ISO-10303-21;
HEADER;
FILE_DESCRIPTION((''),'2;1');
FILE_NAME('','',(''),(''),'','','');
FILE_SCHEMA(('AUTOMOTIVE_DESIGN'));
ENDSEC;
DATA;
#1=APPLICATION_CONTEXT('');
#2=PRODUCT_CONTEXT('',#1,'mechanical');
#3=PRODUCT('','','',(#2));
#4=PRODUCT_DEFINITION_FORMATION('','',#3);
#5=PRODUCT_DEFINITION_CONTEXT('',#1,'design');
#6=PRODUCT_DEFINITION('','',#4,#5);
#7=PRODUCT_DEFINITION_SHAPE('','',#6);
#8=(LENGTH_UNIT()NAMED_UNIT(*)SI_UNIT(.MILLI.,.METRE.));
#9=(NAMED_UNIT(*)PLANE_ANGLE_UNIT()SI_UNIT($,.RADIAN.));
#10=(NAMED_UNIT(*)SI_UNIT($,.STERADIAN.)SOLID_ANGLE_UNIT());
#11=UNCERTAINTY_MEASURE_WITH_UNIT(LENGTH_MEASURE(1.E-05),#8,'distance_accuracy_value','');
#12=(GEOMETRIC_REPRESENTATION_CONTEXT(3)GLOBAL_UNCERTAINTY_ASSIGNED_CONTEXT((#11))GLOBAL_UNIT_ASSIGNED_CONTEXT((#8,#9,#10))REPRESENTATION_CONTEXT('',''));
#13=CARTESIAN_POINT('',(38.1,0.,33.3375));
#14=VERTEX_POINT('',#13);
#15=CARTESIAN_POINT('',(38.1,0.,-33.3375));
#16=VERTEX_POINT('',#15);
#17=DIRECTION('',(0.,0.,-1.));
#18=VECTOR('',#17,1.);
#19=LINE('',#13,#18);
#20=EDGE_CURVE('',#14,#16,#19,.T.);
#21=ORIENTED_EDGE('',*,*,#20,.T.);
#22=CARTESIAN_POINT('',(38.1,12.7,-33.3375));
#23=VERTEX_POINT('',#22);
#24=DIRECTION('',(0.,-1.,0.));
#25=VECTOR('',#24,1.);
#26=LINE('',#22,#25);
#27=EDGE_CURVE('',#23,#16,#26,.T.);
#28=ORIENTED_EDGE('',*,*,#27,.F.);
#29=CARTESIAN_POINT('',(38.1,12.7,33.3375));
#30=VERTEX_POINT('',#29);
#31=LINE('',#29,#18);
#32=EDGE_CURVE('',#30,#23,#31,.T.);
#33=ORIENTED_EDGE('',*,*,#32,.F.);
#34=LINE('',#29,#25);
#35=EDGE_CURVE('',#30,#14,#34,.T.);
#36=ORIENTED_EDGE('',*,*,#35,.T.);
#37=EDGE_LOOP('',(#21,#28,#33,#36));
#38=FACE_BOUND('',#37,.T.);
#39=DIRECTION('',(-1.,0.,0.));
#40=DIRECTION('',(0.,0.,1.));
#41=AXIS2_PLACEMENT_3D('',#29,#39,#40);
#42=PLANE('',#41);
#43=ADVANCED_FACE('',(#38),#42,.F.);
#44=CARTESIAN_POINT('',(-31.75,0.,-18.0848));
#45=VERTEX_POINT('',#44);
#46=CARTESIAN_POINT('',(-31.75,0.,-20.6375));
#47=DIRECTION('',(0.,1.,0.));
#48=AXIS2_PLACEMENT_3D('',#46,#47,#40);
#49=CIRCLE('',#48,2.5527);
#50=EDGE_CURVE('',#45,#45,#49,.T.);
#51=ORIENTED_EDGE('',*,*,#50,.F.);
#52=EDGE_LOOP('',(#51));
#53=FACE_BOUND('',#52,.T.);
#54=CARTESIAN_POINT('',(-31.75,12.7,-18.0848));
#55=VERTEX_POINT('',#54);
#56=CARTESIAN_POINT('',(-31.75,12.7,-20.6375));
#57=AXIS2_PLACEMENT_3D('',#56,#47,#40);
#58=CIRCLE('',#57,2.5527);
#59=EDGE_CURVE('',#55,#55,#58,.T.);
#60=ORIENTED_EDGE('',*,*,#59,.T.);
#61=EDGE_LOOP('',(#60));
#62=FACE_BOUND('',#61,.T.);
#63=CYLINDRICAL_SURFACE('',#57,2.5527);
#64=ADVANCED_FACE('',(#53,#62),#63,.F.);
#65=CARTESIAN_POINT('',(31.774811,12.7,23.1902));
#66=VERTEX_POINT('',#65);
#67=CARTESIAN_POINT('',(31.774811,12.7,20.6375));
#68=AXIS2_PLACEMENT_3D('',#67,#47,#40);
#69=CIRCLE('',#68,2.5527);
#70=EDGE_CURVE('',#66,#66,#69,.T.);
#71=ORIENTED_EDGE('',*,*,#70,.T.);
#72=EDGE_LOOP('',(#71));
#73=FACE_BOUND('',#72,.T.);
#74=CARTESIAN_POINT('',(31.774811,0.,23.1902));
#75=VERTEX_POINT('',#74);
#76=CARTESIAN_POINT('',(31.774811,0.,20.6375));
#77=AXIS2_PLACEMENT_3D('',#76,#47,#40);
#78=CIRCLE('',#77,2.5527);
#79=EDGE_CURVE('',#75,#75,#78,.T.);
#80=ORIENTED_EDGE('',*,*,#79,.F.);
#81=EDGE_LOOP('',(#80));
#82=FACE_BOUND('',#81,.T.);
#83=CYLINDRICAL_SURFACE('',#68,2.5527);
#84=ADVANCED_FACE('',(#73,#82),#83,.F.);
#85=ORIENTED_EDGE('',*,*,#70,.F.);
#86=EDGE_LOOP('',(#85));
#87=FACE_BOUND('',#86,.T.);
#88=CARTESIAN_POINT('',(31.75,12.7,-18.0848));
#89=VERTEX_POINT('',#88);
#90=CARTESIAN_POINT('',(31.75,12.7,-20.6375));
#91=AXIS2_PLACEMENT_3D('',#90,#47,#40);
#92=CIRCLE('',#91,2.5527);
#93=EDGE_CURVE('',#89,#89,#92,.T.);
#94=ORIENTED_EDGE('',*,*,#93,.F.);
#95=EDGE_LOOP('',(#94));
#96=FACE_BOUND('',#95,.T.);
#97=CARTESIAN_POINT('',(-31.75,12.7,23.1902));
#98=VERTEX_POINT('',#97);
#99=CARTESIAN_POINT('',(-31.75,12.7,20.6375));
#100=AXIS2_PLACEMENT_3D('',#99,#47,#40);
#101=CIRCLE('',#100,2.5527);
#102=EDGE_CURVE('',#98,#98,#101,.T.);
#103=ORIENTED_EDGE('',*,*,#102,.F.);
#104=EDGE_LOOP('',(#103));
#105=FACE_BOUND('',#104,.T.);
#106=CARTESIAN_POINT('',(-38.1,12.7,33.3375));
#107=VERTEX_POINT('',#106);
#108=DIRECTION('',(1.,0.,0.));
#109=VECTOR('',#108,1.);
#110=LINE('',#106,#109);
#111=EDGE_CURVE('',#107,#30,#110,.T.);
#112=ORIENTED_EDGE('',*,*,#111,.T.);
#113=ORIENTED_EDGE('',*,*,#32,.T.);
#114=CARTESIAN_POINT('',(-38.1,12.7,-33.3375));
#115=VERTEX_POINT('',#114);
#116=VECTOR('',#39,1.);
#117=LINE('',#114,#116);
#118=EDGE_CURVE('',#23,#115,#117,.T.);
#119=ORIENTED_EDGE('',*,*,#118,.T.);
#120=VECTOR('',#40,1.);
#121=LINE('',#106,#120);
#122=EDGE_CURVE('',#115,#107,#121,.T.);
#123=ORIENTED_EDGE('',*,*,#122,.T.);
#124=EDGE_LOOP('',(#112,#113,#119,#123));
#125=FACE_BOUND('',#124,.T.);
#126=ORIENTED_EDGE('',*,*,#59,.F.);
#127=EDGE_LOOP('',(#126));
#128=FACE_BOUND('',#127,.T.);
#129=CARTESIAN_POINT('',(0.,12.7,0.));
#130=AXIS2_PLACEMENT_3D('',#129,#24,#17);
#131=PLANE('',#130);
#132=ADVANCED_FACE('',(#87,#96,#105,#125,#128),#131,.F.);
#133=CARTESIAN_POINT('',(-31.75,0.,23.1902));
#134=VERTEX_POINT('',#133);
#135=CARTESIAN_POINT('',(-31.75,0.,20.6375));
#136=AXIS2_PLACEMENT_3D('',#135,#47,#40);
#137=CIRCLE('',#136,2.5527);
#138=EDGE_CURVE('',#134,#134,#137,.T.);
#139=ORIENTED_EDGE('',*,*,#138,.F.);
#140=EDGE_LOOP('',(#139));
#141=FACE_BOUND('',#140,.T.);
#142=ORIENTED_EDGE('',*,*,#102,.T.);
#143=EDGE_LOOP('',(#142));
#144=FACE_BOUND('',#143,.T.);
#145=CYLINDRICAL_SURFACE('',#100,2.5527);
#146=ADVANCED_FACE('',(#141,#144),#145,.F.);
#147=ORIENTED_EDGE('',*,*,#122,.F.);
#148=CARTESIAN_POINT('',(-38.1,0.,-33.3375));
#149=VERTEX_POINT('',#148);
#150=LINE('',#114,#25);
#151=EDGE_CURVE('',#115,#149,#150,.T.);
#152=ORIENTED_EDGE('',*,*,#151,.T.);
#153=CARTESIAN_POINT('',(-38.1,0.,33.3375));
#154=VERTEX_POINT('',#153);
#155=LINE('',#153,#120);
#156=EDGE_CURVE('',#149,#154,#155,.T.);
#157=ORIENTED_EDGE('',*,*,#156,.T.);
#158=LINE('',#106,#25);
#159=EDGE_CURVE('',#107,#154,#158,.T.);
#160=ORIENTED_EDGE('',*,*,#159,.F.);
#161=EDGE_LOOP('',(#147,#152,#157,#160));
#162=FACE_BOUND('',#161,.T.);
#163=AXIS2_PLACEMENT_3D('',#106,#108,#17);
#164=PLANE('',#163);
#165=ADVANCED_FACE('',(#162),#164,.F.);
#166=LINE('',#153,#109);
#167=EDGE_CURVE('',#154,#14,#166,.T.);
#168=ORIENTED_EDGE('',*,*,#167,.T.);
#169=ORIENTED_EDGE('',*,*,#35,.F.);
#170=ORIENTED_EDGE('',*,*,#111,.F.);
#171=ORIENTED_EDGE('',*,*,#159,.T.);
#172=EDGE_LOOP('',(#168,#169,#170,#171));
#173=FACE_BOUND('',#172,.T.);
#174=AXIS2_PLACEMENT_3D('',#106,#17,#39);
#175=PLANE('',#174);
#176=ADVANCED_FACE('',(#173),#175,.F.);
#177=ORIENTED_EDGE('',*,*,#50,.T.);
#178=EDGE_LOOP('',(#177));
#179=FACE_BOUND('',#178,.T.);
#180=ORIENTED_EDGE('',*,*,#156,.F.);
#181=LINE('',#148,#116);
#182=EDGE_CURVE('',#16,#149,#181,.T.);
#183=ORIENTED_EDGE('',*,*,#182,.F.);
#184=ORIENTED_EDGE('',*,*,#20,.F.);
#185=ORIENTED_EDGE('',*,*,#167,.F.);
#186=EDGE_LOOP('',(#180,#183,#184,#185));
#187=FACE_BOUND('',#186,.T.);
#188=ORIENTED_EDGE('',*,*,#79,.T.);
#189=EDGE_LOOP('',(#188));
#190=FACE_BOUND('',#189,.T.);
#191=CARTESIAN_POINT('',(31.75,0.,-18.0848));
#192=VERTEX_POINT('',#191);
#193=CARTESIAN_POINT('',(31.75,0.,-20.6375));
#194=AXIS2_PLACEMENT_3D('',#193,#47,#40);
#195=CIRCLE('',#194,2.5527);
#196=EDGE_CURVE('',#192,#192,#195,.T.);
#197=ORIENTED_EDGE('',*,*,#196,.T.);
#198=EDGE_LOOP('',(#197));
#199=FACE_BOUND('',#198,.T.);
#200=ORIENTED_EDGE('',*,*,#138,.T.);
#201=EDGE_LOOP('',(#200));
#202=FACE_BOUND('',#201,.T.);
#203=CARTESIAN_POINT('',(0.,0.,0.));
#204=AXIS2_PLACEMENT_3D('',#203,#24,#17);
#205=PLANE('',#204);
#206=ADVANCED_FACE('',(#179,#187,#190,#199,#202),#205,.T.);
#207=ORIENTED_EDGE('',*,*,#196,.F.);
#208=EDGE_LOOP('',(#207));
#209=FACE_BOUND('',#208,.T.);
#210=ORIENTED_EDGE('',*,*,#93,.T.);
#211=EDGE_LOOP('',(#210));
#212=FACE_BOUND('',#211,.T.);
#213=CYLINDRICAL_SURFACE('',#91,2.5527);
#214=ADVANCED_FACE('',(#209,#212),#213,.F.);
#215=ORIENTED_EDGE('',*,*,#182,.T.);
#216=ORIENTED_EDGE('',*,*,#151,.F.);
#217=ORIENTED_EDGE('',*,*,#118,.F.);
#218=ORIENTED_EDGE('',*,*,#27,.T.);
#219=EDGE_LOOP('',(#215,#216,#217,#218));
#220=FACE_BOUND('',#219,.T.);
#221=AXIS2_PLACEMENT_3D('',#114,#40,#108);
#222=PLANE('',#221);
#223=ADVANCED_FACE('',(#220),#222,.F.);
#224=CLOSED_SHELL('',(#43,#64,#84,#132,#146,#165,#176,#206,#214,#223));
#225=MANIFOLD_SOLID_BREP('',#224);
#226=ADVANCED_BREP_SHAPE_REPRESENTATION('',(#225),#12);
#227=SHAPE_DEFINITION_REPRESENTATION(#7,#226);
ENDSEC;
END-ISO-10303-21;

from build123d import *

# Parameters (mm, degrees)
SKETCH1_W              = 76.2
SKETCH1_H              = 66.675
BOSS_EXTRUDE1_DEPTH    = 12.7
F_10_CLEARANCE_HOLE1_D = 5.1054


with BuildPart() as part:
    # Sketch1 → Boss-Extrude1 (new body)
    with BuildSketch(Plane(origin=(0, 0, 0), x_dir=(1, 0, 0), z_dir=(0, 1, 0))):
        Rectangle(SKETCH1_W, SKETCH1_H)
    extrude(amount=BOSS_EXTRUDE1_DEPTH)

    # #10 Clearance Hole1 (through all)
    with Locations(Plane(origin=(0, 12.7, 0), x_dir=(1, 0, 0), z_dir=(0, 1, 0))):
        with Locations((-31.75, 20.6375), (-31.75, -20.6375), (31.75, 20.6375), (31.774810746, -20.6375)):
            Hole(F_10_CLEARANCE_HOLE1_D / 2)


solid = part.part
